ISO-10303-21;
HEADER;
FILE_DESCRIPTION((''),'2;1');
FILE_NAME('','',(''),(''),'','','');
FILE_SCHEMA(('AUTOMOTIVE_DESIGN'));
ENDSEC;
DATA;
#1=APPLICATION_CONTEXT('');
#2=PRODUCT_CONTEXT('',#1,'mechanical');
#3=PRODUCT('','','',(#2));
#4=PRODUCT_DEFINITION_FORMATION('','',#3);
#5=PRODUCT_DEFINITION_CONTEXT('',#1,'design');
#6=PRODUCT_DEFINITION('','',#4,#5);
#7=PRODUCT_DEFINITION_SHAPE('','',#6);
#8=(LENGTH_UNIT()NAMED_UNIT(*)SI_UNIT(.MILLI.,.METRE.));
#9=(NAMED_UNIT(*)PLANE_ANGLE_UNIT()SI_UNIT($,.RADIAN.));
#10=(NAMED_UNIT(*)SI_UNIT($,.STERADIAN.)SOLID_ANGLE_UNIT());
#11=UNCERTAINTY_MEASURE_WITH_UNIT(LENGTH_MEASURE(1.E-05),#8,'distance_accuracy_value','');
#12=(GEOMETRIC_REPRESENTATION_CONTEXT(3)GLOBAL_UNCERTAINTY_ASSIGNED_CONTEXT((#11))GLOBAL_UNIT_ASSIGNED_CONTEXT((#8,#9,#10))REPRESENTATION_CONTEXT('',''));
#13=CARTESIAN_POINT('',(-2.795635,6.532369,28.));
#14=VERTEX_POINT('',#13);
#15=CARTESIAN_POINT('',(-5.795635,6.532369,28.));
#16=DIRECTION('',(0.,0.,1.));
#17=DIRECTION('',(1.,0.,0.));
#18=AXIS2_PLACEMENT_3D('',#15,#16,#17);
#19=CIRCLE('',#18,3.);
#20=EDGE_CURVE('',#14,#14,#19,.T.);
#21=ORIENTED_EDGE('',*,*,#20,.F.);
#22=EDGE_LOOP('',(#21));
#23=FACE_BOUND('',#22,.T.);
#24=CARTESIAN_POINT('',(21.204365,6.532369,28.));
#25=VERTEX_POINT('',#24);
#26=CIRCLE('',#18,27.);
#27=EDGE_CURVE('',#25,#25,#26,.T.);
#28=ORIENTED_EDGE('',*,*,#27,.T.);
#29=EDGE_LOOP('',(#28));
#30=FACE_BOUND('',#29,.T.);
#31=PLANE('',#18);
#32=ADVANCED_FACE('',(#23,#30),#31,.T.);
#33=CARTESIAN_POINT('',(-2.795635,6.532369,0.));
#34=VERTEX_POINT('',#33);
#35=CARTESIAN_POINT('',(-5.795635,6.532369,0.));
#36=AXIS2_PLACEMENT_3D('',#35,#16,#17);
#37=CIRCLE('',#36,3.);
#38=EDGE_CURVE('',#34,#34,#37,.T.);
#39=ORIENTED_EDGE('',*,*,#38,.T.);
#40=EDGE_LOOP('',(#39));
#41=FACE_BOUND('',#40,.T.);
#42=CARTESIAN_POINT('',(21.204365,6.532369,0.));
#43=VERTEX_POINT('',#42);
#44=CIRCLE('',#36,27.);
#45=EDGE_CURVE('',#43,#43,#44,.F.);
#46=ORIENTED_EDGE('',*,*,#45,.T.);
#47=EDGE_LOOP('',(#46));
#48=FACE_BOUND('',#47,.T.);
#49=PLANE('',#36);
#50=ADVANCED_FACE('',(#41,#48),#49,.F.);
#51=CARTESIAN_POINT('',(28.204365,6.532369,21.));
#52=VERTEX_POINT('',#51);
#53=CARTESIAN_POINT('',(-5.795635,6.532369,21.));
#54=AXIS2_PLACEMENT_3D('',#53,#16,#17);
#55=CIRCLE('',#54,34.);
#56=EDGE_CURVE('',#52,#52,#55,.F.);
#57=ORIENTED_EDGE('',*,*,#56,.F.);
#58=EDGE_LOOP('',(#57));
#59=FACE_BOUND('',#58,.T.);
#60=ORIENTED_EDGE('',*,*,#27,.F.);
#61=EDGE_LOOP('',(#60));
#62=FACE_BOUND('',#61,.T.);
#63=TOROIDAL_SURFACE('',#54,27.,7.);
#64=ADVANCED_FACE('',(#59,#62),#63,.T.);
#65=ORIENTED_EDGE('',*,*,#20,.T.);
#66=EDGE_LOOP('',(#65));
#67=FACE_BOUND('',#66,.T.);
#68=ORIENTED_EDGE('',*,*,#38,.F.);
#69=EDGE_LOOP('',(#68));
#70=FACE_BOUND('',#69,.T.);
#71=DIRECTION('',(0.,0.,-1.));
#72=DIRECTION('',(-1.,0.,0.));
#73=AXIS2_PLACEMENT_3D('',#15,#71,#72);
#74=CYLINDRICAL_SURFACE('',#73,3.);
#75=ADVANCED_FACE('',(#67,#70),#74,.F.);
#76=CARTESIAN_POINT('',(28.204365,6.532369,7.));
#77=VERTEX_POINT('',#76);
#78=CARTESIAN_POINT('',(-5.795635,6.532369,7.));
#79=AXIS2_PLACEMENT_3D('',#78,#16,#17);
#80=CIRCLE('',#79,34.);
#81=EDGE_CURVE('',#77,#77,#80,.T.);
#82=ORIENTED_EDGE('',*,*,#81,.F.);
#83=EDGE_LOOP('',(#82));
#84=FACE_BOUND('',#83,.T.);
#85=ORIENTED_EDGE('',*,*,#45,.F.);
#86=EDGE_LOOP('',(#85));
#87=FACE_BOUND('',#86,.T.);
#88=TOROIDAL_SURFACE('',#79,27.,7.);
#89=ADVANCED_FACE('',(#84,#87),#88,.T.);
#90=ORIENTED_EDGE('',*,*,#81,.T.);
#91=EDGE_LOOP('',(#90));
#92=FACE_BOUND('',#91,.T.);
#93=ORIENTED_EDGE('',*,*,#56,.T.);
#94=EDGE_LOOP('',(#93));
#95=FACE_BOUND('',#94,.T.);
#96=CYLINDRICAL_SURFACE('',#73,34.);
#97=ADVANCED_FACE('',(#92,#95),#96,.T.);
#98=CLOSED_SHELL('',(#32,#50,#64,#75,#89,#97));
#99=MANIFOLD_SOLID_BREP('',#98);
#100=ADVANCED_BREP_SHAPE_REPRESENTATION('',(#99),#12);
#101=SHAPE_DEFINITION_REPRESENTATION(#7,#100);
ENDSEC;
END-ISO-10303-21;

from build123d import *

# Parameters (mm, degrees)
ESBO_O1_R                = 34
ESBO_O1_R_2              = 3
RESSALTO_EXTRUS_O3_DEPTH = 28
FILETE2_R                = 7


with BuildPart() as part:
    # Esboço1 → Ressalto-extrusão3 (new body)
    with BuildSketch(Plane.XY):
        with Locations((-5.795635403, 6.532368717)):
            Circle(ESBO_O1_R)
        with Locations((-5.795635403, 6.532368717)):
            Circle(ESBO_O1_R_2, mode=Mode.SUBTRACT)
    extrude(amount=RESSALTO_EXTRUS_O3_DEPTH)

    # Filete2
    filete2_edges = [part.edges().sort_by_distance(p)[0] for p in [
        (-39.795635403, 6.532368717, 0),
        (-39.795635403, 6.532368717, 28),
    ]]
    fillet(filete2_edges, radius=FILETE2_R)


solid = part.part
